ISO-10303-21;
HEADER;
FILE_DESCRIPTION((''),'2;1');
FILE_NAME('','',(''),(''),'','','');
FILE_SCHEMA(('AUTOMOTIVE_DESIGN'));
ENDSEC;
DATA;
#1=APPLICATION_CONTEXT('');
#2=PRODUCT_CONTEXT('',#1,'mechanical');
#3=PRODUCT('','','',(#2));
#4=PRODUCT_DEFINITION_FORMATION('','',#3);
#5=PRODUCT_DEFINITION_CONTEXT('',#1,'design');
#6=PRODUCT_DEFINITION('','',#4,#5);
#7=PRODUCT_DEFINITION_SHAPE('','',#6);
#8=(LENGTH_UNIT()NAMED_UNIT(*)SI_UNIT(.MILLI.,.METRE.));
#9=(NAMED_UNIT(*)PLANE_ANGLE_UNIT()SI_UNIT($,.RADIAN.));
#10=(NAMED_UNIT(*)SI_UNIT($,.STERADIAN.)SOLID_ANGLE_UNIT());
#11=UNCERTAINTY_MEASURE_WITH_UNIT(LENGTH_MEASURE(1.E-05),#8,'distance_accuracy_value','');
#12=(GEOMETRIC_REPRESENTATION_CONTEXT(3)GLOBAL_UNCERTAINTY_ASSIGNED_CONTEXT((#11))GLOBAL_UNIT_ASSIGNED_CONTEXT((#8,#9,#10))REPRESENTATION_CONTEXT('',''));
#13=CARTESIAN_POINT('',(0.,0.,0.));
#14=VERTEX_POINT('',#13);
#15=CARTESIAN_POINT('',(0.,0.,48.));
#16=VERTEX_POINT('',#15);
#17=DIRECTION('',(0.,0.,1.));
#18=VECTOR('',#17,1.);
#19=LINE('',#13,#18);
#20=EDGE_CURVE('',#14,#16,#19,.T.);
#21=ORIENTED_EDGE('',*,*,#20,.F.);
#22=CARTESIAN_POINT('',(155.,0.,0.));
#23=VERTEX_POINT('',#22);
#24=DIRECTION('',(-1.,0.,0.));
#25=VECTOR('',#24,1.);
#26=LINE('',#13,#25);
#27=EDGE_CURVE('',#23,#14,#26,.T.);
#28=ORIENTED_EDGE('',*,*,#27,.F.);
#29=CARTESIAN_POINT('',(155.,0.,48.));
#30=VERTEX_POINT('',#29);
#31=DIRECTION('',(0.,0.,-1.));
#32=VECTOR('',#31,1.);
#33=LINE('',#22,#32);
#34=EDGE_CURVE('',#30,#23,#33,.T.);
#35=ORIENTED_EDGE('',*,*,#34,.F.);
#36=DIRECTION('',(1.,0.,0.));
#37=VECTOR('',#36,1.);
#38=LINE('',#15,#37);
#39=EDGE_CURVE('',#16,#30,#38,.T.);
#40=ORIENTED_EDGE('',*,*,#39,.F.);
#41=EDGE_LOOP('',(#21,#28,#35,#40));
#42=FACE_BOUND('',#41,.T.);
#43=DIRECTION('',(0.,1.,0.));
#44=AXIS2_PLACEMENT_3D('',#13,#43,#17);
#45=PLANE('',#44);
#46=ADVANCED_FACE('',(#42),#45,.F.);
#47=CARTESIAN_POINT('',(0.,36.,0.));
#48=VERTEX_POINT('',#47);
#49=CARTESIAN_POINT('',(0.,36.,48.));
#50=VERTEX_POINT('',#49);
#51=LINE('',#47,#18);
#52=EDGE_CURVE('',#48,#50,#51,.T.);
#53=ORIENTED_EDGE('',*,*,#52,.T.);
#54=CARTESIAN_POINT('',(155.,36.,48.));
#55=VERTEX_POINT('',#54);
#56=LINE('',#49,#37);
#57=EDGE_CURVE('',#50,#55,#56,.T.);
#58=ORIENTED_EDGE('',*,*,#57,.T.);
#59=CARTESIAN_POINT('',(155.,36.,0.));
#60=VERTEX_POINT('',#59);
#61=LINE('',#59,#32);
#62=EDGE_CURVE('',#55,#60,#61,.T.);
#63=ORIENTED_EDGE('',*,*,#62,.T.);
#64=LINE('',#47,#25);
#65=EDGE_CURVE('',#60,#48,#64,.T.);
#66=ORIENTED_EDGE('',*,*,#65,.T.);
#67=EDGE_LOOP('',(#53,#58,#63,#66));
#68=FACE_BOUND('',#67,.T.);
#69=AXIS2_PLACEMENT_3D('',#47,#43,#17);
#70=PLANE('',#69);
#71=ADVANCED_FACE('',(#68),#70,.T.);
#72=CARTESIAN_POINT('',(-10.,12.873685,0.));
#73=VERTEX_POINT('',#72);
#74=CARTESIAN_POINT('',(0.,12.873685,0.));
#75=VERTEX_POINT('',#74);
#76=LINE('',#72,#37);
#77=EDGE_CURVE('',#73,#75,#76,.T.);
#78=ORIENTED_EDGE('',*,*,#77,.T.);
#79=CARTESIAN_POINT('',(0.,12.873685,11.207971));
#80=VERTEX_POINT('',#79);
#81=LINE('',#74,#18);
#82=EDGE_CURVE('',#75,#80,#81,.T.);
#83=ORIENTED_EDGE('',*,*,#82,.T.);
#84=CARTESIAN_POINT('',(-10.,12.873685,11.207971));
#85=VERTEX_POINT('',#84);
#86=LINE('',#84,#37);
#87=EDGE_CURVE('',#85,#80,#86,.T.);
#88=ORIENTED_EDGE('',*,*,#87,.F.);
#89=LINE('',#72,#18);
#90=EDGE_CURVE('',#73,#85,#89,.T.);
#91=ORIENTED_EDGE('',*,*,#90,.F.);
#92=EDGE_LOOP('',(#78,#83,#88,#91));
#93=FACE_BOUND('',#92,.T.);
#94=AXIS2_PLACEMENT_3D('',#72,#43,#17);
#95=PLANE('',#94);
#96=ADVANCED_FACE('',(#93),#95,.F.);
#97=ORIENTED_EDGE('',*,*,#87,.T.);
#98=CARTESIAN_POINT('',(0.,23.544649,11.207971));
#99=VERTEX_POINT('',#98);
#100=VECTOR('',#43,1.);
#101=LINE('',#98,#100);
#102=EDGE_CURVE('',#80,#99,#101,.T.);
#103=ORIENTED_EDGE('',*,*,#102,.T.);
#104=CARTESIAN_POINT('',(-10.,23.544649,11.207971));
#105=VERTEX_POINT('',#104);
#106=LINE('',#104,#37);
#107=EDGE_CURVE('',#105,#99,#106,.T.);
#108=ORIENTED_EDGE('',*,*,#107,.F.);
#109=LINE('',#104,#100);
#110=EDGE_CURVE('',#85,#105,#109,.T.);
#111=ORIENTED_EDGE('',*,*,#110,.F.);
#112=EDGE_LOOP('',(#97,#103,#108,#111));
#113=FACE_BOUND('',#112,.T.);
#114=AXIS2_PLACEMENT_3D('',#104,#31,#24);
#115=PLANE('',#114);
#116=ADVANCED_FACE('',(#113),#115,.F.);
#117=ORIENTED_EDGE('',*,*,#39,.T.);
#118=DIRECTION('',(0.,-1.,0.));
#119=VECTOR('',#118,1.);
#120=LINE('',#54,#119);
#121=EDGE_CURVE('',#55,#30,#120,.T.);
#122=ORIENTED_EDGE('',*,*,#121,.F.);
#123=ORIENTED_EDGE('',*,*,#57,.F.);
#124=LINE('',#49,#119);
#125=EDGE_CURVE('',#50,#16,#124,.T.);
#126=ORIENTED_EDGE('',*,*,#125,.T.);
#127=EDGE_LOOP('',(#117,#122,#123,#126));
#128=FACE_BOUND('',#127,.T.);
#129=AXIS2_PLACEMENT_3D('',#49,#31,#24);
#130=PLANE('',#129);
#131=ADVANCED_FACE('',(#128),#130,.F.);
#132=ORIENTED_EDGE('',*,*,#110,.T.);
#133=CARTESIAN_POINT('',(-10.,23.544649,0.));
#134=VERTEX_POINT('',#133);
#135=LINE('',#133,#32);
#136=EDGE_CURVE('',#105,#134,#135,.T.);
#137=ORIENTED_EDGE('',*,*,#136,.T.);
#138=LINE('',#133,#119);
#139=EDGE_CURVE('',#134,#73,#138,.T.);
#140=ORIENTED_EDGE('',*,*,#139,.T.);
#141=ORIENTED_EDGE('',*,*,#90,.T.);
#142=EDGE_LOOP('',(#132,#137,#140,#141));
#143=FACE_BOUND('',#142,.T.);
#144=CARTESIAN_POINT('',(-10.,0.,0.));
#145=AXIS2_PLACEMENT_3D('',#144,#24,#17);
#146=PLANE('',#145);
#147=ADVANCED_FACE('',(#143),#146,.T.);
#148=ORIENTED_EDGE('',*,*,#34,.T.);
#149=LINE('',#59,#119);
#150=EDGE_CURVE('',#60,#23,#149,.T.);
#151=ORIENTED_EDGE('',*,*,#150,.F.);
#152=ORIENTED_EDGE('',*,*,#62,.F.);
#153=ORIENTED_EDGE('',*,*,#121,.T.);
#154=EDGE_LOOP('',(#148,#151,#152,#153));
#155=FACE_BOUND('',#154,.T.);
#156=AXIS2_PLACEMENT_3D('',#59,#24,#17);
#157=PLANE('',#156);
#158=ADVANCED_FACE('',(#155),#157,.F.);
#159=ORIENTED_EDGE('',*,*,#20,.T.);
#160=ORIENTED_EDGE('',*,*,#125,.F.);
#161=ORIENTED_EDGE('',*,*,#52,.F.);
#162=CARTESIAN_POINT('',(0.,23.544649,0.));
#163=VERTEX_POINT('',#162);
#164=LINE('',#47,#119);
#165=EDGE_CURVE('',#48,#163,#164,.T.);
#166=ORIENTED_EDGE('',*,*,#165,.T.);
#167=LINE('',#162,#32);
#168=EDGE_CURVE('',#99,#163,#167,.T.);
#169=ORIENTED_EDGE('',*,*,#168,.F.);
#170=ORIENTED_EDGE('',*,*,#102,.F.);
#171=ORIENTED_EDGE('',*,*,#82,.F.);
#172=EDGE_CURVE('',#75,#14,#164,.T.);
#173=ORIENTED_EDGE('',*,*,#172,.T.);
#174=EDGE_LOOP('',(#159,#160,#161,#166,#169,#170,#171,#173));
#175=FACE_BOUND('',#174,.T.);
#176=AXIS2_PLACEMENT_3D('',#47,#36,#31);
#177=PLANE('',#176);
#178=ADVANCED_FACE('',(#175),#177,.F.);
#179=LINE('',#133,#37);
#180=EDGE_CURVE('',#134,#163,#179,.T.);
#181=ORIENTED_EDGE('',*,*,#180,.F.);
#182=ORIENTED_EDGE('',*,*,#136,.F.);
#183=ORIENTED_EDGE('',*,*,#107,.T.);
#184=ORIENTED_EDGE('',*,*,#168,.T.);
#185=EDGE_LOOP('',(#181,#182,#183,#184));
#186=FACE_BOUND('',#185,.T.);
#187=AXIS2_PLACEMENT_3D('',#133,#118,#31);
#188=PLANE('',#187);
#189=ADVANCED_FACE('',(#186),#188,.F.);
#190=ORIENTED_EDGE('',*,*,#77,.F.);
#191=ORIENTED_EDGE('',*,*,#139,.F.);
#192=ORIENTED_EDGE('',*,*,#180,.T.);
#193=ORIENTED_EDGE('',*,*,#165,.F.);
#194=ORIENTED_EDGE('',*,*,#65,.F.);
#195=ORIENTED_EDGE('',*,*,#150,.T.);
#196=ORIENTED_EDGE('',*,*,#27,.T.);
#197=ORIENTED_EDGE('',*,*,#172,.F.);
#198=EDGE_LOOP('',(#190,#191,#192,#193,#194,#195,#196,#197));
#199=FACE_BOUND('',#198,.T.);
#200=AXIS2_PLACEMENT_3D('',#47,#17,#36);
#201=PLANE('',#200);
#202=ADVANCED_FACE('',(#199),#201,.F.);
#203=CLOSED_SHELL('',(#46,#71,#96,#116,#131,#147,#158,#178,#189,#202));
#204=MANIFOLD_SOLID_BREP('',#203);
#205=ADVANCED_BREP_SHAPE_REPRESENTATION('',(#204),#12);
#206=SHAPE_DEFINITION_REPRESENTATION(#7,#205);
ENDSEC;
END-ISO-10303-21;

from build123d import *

# Parameters (mm, degrees)
SKETCH1_W           = 155
SKETCH1_H           = 48
BOSS_EXTRUDE1_DEPTH = 36
SKETCH2_W           = 11.207970655
SKETCH2_H           = 10.670963176
BOSS_EXTRUDE2_DEPTH = 10


with BuildPart() as part:
    # Sketch1 → Boss-Extrude1 (new body)
    with BuildSketch(Plane(origin=(0, 0, 0), x_dir=(1, 0, 0), z_dir=(0, 1, 0))):
        with Locations((77.5, -24)):
            Rectangle(SKETCH1_W, SKETCH1_H)
    extrude(amount=BOSS_EXTRUDE1_DEPTH)

    # Sketch2 → Boss-Extrude2 (add)
    with BuildSketch(Plane.ZY):
        with Locations((5.603985328, 18.209167022)):
            Rectangle(SKETCH2_W, SKETCH2_H)
    extrude(amount=BOSS_EXTRUDE2_DEPTH)


solid = part.part
